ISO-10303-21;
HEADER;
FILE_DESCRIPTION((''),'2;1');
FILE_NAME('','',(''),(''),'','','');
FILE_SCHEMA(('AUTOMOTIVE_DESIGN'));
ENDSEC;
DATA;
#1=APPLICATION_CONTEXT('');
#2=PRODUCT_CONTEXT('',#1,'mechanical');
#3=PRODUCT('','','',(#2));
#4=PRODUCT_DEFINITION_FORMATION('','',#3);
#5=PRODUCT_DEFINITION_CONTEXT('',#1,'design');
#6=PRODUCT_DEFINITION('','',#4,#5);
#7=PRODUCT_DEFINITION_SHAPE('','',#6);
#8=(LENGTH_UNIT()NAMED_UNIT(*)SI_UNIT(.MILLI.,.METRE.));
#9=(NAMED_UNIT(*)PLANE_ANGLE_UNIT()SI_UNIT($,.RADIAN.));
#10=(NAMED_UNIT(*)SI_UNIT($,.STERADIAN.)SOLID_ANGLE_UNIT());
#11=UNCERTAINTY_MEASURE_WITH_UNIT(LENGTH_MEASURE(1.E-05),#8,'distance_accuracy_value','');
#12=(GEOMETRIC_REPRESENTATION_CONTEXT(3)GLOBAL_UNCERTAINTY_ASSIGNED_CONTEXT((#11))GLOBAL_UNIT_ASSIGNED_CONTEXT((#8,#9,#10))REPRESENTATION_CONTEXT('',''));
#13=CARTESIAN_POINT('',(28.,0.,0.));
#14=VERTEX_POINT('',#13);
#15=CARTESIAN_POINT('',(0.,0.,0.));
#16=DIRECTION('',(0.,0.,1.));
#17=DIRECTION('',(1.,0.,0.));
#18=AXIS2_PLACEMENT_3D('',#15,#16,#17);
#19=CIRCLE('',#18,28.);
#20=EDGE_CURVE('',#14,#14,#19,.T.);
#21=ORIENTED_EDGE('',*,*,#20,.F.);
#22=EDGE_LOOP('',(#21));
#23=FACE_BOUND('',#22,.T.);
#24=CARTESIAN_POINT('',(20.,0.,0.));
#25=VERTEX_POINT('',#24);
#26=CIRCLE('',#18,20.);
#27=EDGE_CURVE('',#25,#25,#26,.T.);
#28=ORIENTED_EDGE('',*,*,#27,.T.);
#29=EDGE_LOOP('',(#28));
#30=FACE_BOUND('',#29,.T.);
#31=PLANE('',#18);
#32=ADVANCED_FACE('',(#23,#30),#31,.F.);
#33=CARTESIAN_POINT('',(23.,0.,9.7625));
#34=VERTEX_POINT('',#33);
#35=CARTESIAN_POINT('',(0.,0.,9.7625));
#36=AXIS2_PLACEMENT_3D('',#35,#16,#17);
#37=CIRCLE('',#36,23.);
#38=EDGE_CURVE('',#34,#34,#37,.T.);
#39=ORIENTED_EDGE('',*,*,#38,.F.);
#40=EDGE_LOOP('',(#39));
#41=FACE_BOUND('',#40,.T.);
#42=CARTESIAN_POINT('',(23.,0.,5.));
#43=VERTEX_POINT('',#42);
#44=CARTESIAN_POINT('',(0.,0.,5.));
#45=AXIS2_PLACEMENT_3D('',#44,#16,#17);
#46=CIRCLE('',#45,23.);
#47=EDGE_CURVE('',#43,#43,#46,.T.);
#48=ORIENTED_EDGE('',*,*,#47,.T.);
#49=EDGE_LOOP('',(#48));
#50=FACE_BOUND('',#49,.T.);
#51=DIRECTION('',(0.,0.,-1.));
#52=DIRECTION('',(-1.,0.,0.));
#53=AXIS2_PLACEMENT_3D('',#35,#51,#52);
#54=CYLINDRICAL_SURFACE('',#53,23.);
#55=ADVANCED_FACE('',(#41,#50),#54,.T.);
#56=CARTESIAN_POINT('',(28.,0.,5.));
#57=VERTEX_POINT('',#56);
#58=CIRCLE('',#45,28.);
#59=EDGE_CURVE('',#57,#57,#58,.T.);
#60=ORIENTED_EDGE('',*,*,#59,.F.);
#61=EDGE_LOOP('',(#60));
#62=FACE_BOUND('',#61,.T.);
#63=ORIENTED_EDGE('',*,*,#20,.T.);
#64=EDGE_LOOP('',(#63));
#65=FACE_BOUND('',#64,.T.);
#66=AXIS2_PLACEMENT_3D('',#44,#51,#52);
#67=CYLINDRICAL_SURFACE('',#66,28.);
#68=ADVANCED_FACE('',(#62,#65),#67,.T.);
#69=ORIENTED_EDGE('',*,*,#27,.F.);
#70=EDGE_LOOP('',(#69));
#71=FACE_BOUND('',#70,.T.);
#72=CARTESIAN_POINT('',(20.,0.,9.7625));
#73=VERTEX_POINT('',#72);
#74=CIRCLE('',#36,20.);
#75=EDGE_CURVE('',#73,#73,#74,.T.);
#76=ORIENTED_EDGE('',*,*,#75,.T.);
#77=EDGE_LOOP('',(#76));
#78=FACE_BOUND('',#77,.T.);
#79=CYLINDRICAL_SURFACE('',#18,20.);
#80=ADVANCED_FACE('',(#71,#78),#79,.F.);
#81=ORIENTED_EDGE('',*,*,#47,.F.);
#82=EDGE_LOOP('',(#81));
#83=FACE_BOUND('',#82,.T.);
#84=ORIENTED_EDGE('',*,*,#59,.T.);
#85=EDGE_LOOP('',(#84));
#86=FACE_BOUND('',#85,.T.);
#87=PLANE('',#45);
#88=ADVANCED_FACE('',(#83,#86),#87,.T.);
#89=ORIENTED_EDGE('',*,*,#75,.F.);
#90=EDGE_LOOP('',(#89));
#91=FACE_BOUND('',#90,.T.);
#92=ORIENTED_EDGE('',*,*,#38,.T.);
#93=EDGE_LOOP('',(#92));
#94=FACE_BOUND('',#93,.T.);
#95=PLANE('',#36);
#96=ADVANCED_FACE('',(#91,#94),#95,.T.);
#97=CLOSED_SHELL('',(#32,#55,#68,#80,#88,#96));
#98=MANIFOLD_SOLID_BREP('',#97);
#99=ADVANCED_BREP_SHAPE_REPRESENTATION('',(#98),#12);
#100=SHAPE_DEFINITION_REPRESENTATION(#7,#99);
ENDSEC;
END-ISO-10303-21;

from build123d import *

# Parameters (mm, degrees)
SKETCH1_R               = 28
BOSS_EXTRUDE1_DEPTH     = 5
SKETCH2_R               = 23
BOSS_EXTRUDE2_DEPTH     = 4.7625
SKETCH3_R               = 20
CUT_EXTRUDE1_DEPTH      = 1
CUT_EXTRUDE1_DEPTH_BACK = 10.7625


with BuildPart() as part:
    # Sketch1 → Boss-Extrude1 (new body)
    with BuildSketch(Plane.XY):
        Circle(SKETCH1_R)
    extrude(amount=BOSS_EXTRUDE1_DEPTH)

    # Sketch2 → Boss-Extrude2 (add)
    with BuildSketch(Plane.XY.offset(5)):
        Circle(SKETCH2_R)
    extrude(amount=BOSS_EXTRUDE2_DEPTH)

    # Sketch3 → Cut-Extrude1 (cut, two sides)
    with BuildSketch(Plane.XY.offset(9.7625)) as cut_extrude1_sk:
        Circle(SKETCH3_R)
    extrude(amount=CUT_EXTRUDE1_DEPTH, mode=Mode.SUBTRACT)
    extrude(cut_extrude1_sk.sketch, amount=-CUT_EXTRUDE1_DEPTH_BACK, mode=Mode.SUBTRACT)


solid = part.part
